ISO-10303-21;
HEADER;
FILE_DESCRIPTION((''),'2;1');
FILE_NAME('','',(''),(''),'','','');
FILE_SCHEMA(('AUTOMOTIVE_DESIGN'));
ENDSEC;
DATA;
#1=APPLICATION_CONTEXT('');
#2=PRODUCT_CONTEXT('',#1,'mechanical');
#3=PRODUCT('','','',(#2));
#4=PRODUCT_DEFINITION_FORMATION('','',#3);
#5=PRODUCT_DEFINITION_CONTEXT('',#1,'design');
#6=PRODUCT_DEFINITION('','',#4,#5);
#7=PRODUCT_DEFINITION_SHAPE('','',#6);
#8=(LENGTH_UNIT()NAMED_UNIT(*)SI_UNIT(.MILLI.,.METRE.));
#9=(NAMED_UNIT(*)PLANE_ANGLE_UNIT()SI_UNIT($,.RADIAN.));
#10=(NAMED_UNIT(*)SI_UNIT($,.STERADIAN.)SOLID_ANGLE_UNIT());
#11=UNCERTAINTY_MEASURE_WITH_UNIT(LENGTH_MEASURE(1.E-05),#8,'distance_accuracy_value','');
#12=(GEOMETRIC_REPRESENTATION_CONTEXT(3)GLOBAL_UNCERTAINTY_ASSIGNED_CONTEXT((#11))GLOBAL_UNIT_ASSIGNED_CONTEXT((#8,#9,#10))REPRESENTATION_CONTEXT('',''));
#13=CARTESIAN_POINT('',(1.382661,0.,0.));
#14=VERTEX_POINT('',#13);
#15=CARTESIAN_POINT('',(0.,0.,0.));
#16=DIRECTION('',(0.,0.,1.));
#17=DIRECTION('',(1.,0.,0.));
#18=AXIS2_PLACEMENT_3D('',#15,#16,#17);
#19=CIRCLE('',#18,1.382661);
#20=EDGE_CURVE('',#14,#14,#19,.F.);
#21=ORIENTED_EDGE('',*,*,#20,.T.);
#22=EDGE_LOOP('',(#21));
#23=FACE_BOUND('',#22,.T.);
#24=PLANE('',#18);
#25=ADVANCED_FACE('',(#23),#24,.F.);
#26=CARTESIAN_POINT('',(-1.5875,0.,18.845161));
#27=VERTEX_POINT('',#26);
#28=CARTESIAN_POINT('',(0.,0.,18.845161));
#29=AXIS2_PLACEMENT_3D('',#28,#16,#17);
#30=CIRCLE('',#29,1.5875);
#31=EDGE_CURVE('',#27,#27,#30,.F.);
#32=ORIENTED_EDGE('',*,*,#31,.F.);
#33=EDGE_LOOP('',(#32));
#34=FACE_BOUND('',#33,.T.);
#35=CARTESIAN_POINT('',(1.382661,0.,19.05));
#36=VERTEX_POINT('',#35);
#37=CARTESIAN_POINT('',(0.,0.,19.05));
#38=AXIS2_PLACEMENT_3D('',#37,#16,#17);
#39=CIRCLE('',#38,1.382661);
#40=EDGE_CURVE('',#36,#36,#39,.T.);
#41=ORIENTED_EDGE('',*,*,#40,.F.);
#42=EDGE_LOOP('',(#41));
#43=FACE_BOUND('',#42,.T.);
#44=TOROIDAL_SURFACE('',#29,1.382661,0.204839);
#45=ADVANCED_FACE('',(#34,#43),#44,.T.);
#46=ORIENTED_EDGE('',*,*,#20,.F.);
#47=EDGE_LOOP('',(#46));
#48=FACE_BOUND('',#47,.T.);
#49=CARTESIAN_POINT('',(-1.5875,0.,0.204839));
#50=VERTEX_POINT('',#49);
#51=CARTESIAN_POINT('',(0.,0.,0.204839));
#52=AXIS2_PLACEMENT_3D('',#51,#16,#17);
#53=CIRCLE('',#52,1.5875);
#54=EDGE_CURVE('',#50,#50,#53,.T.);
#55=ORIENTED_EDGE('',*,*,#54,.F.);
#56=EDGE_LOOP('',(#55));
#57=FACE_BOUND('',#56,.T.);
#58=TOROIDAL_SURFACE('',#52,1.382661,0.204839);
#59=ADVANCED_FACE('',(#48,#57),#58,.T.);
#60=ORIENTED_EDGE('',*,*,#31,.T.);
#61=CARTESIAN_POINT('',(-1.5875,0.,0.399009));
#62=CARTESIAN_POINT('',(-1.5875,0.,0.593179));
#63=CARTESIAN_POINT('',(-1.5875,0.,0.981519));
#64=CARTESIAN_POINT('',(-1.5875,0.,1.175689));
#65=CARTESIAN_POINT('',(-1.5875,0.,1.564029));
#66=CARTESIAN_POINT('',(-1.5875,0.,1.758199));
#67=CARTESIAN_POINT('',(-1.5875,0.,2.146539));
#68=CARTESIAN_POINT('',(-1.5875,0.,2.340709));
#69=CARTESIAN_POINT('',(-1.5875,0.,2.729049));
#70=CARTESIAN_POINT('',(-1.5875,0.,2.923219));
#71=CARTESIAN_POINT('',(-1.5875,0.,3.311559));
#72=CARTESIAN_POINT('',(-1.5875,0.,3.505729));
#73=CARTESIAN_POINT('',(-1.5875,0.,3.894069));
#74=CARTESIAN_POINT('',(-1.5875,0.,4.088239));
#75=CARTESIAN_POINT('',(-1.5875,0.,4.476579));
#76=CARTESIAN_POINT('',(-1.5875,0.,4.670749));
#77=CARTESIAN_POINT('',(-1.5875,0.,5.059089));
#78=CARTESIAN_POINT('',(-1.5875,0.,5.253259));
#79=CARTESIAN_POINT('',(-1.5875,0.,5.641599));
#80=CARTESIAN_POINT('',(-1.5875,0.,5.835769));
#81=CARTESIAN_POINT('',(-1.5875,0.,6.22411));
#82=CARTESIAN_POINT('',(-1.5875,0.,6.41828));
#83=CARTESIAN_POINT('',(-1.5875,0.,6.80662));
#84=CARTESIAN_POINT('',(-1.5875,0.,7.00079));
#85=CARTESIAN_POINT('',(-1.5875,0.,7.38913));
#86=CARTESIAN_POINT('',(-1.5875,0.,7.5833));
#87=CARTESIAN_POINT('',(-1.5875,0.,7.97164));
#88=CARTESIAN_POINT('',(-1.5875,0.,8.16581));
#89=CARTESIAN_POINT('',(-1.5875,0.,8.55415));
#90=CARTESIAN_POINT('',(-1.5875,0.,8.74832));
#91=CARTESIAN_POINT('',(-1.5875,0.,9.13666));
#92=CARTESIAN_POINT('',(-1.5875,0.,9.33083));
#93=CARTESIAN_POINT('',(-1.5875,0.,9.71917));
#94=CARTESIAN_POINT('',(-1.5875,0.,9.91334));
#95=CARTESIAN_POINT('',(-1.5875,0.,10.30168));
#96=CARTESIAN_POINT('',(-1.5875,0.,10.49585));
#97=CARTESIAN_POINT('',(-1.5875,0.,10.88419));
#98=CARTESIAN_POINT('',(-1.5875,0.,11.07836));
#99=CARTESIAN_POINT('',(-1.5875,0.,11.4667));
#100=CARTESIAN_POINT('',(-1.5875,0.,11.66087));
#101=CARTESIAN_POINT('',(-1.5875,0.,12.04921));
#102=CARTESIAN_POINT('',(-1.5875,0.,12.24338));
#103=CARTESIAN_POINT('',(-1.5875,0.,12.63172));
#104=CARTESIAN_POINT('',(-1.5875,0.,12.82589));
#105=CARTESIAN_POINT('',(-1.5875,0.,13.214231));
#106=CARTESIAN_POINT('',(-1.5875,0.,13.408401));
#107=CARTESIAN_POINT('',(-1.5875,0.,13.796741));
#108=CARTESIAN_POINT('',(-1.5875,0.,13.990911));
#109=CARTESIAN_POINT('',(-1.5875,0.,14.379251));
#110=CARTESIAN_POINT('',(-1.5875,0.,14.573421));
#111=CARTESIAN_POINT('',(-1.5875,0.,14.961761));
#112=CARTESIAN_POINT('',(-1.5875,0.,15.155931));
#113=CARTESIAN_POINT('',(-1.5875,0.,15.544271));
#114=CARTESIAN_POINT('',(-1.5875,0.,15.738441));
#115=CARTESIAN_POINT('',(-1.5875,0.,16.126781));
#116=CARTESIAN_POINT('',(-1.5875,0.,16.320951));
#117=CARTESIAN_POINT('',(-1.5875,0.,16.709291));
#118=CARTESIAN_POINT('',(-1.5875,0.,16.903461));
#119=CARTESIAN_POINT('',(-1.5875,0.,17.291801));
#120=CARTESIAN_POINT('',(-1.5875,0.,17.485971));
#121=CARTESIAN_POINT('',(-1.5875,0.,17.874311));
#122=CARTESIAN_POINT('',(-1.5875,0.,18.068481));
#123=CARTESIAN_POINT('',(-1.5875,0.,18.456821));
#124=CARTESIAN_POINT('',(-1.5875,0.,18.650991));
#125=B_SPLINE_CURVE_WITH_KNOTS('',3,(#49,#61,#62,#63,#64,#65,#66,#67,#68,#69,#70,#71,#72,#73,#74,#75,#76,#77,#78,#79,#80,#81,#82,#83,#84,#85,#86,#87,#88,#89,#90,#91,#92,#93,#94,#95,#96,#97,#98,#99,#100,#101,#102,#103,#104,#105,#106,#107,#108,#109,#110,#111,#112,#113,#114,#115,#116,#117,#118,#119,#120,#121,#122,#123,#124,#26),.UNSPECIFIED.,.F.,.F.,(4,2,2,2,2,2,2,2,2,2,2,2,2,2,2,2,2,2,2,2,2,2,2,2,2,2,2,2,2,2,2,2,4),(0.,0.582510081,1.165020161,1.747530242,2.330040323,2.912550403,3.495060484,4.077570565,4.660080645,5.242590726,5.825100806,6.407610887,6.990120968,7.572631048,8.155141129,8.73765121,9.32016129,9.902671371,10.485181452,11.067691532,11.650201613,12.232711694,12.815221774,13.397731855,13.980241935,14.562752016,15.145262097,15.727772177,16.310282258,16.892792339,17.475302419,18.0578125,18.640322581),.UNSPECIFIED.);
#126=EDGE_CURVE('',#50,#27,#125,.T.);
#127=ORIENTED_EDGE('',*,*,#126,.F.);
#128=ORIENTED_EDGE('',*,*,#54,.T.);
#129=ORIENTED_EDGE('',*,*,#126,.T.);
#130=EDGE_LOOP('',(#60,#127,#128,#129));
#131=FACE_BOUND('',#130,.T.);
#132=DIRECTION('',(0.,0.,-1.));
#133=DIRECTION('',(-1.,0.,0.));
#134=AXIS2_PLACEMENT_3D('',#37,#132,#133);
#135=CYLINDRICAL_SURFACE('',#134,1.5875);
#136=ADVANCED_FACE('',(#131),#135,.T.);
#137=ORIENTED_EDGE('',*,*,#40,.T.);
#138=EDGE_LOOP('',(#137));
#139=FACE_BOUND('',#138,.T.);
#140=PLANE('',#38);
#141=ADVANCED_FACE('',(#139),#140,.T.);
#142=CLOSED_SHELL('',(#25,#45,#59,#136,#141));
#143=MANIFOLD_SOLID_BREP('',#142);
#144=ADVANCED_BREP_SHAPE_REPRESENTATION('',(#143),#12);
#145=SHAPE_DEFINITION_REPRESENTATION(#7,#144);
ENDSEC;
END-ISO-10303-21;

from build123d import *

# Parameters (mm, degrees)
CROQUIS1_R              = 1.5875
SALIENTE_EXTRUIR1_DEPTH = 19.05
REDONDEO1_R             = 0.20483871


with BuildPart() as part:
    # Croquis1 → Saliente-Extruir1 (new body)
    with BuildSketch(Plane.XY):
        with Locations(Location((0, 0, 0), (0, 0, 180))):
            Circle(CROQUIS1_R)
    extrude(amount=SALIENTE_EXTRUIR1_DEPTH)

    # Redondeo1
    redondeo1_edges = [part.edges().sort_by_distance(p)[0] for p in [
        (1.5875, 0, 0),
        (1.5875, 0, 19.05),
    ]]
    fillet(redondeo1_edges, radius=REDONDEO1_R)


solid = part.part
